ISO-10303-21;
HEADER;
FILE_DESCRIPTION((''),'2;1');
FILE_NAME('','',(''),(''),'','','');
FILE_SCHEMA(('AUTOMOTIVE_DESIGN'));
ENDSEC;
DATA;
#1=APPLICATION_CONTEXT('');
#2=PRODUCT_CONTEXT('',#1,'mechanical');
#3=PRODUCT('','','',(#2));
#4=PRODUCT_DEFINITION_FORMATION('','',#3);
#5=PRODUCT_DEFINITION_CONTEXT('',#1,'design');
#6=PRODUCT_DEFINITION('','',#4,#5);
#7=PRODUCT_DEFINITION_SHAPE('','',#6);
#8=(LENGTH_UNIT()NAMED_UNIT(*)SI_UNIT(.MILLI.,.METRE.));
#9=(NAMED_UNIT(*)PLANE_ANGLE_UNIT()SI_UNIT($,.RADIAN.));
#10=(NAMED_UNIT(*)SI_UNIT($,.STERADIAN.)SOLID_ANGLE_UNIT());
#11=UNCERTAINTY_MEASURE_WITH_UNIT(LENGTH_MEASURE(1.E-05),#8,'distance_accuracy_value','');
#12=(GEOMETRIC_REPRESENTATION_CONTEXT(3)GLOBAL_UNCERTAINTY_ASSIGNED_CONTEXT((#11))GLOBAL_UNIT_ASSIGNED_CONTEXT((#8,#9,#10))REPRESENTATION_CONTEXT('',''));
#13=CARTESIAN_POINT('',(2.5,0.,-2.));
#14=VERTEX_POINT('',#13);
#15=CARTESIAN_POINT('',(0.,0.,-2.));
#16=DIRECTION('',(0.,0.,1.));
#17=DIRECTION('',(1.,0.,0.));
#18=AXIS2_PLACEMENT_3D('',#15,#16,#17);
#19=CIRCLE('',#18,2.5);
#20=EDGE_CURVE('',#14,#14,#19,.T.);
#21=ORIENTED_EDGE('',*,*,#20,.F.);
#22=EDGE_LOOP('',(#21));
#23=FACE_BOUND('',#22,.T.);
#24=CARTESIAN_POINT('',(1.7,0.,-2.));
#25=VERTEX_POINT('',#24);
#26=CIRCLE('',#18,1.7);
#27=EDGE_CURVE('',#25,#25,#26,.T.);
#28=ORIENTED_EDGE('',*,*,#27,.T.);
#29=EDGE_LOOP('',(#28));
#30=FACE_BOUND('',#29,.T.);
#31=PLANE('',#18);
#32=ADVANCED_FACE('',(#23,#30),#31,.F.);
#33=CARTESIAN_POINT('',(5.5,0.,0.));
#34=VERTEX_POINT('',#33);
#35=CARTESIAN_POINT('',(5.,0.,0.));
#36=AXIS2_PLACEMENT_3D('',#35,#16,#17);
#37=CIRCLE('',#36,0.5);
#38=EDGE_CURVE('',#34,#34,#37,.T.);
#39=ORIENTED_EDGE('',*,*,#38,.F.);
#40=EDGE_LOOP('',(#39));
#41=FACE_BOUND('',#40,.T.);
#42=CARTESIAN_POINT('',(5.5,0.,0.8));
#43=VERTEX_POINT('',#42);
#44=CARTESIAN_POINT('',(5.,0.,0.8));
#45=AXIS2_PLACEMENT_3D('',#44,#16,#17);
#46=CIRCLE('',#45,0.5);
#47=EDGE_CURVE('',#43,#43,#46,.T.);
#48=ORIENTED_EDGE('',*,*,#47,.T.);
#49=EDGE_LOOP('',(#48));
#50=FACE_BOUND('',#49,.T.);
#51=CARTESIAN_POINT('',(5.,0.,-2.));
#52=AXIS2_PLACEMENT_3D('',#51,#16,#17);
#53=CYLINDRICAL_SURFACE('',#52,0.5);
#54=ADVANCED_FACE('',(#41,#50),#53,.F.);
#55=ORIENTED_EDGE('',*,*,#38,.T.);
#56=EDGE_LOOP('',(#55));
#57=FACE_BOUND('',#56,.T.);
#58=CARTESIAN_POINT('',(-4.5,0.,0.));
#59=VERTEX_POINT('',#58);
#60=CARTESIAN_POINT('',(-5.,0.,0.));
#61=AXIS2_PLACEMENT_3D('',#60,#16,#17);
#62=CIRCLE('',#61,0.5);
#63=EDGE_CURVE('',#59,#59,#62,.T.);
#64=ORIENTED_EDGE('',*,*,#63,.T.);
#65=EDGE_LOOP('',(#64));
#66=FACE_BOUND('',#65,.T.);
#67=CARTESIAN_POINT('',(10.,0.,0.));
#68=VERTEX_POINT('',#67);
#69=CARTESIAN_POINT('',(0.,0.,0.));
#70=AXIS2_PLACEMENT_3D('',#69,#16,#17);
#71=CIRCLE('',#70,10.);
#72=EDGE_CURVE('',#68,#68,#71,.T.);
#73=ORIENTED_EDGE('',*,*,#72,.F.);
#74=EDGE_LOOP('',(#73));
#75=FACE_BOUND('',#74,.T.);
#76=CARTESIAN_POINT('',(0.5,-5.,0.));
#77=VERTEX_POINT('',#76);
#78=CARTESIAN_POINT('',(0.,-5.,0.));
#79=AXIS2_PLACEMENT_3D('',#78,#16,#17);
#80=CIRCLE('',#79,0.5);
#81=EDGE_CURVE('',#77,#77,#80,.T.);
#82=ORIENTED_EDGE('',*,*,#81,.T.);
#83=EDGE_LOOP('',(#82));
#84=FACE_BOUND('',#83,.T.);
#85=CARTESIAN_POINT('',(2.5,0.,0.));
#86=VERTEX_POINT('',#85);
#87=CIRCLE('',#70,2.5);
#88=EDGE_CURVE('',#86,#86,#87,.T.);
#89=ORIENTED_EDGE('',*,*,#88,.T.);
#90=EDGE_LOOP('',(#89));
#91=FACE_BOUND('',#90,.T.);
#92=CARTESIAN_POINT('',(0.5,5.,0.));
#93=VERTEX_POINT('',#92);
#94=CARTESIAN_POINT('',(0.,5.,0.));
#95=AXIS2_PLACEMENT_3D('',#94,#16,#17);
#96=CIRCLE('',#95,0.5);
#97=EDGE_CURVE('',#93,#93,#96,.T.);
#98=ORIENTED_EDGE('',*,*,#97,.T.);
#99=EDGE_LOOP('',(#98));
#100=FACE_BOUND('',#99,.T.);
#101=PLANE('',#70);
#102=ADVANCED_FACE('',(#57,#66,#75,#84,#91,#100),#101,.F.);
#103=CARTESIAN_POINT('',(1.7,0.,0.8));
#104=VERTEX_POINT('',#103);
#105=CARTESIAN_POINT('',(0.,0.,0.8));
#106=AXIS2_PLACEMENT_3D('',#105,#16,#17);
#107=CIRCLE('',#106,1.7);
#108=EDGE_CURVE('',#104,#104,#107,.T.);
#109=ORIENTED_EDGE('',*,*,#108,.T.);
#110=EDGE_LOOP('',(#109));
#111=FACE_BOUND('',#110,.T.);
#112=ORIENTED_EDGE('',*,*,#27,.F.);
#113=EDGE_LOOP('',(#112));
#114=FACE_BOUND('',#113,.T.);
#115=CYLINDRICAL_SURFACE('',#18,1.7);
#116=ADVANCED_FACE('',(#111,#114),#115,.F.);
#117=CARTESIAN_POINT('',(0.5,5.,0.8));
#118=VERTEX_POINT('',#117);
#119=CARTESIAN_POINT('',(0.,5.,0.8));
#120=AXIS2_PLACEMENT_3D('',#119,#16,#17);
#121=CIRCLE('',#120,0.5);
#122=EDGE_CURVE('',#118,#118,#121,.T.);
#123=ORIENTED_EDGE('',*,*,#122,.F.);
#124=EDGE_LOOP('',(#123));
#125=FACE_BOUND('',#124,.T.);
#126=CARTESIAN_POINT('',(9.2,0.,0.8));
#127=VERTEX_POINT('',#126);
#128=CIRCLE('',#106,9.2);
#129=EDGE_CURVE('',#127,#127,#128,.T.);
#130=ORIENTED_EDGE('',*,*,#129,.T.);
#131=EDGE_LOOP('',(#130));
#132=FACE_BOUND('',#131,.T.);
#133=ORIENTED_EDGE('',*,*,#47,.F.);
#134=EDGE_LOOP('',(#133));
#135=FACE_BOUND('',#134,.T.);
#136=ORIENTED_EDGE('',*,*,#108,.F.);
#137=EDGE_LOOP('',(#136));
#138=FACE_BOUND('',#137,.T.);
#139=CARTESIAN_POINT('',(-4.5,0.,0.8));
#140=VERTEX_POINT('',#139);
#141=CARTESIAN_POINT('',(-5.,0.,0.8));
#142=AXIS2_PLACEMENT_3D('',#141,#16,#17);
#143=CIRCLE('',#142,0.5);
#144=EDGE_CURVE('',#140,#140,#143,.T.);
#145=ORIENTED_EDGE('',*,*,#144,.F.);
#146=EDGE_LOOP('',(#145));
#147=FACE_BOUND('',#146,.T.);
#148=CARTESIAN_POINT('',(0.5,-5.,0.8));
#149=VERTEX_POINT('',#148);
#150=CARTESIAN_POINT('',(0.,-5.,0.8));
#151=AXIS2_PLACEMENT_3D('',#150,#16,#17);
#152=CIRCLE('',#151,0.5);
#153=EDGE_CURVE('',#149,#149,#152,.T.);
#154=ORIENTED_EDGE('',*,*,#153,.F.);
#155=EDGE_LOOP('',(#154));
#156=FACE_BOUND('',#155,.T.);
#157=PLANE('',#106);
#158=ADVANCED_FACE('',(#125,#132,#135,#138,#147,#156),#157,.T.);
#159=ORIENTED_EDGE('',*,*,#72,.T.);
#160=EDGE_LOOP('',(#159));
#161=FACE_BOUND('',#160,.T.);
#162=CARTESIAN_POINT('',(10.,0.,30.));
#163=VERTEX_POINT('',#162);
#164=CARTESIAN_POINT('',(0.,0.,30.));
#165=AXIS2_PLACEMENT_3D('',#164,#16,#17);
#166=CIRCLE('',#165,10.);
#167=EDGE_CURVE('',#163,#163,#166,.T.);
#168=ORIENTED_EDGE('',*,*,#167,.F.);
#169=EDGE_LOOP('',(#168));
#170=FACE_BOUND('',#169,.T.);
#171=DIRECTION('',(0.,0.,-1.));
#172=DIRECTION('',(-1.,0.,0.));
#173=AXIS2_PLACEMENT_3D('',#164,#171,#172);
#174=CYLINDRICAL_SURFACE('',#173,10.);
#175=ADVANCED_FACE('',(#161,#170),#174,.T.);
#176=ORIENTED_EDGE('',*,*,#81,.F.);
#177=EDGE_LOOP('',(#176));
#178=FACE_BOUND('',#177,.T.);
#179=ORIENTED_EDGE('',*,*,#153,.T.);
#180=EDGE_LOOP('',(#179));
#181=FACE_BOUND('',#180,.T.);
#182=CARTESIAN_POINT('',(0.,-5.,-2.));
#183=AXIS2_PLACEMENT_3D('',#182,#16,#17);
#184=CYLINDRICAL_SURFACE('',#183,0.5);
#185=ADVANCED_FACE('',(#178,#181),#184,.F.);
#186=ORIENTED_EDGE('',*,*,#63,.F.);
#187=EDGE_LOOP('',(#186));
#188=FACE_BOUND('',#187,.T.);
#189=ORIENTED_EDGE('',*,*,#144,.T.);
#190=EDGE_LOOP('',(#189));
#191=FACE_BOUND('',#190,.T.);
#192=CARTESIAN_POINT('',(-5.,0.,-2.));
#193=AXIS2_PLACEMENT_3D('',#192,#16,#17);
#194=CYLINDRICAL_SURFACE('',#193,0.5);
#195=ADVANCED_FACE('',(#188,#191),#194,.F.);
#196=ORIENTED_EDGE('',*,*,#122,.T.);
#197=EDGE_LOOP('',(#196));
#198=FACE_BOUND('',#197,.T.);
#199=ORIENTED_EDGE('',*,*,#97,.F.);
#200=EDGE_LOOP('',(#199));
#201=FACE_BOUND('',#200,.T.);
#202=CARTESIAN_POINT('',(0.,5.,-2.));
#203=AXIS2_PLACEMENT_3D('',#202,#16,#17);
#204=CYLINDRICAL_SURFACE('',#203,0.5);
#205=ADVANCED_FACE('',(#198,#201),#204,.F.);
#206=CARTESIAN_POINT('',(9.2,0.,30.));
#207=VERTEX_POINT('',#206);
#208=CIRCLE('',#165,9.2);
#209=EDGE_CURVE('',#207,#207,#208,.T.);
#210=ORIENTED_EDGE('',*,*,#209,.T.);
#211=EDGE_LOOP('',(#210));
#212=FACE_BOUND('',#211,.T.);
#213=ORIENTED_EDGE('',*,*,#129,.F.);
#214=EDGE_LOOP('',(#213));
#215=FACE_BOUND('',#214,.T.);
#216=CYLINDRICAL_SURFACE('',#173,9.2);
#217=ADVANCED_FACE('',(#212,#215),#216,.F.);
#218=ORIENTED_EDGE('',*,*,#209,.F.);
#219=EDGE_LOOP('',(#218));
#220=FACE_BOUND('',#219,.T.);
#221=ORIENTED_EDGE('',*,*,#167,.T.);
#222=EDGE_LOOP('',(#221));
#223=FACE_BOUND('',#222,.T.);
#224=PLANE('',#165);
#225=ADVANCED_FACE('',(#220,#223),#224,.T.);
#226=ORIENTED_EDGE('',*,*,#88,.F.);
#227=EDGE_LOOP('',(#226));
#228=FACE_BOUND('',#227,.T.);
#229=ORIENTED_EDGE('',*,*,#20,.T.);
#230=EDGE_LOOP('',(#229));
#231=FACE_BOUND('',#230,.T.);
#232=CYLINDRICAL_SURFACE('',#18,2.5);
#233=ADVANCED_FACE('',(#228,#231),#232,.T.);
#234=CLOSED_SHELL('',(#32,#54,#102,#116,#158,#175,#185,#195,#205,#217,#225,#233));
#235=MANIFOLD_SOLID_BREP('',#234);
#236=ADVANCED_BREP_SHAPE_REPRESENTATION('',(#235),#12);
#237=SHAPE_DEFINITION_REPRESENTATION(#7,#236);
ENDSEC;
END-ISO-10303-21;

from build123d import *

# Parameters (mm, degrees)
SKETCH1_R               = 10
BOSS_EXTRUDE1_DEPTH     = 30
SKETCH2_R               = 2.5
BOSS_EXTRUDE3_DEPTH     = 2
SHELL1_T                = -0.8
SKETCH3_R               = 0.5
CUT_EXTRUDE2_DEPTH      = 34.166247904
CUT_EXTRUDE2_DEPTH_BACK = 34.166247904


with BuildPart() as part:
    # Sketch1 → Boss-Extrude1 (new body)
    with BuildSketch(Plane.XY):
        Circle(SKETCH1_R)
    extrude(amount=BOSS_EXTRUDE1_DEPTH)

    # Sketch2 → Boss-Extrude3 (add)
    with BuildSketch(Plane.XY):
        Circle(SKETCH2_R)
    extrude(amount=-BOSS_EXTRUDE3_DEPTH)

    # Shell1
    shell1_openings = [part.faces().sort_by_distance(p)[0] for p in [
        (0, 0, 30),
        (0, 0, -2),
    ]]
    offset(amount=SHELL1_T, openings=shell1_openings, kind=Kind.INTERSECTION)

    # Sketch3 → Cut-Extrude2 (cut, two sides)
    with BuildSketch(Plane.XY) as cut_extrude2_sk:
        with Locations((5, 0)):
            Circle(SKETCH3_R)
        with Locations((0, -5)):
            Circle(SKETCH3_R)
        with Locations((-5, 0)):
            Circle(SKETCH3_R)
        with Locations((0, 5)):
            Circle(SKETCH3_R)
    extrude(amount=CUT_EXTRUDE2_DEPTH, mode=Mode.SUBTRACT)
    extrude(cut_extrude2_sk.sketch, amount=-CUT_EXTRUDE2_DEPTH_BACK, mode=Mode.SUBTRACT)


solid = part.part
